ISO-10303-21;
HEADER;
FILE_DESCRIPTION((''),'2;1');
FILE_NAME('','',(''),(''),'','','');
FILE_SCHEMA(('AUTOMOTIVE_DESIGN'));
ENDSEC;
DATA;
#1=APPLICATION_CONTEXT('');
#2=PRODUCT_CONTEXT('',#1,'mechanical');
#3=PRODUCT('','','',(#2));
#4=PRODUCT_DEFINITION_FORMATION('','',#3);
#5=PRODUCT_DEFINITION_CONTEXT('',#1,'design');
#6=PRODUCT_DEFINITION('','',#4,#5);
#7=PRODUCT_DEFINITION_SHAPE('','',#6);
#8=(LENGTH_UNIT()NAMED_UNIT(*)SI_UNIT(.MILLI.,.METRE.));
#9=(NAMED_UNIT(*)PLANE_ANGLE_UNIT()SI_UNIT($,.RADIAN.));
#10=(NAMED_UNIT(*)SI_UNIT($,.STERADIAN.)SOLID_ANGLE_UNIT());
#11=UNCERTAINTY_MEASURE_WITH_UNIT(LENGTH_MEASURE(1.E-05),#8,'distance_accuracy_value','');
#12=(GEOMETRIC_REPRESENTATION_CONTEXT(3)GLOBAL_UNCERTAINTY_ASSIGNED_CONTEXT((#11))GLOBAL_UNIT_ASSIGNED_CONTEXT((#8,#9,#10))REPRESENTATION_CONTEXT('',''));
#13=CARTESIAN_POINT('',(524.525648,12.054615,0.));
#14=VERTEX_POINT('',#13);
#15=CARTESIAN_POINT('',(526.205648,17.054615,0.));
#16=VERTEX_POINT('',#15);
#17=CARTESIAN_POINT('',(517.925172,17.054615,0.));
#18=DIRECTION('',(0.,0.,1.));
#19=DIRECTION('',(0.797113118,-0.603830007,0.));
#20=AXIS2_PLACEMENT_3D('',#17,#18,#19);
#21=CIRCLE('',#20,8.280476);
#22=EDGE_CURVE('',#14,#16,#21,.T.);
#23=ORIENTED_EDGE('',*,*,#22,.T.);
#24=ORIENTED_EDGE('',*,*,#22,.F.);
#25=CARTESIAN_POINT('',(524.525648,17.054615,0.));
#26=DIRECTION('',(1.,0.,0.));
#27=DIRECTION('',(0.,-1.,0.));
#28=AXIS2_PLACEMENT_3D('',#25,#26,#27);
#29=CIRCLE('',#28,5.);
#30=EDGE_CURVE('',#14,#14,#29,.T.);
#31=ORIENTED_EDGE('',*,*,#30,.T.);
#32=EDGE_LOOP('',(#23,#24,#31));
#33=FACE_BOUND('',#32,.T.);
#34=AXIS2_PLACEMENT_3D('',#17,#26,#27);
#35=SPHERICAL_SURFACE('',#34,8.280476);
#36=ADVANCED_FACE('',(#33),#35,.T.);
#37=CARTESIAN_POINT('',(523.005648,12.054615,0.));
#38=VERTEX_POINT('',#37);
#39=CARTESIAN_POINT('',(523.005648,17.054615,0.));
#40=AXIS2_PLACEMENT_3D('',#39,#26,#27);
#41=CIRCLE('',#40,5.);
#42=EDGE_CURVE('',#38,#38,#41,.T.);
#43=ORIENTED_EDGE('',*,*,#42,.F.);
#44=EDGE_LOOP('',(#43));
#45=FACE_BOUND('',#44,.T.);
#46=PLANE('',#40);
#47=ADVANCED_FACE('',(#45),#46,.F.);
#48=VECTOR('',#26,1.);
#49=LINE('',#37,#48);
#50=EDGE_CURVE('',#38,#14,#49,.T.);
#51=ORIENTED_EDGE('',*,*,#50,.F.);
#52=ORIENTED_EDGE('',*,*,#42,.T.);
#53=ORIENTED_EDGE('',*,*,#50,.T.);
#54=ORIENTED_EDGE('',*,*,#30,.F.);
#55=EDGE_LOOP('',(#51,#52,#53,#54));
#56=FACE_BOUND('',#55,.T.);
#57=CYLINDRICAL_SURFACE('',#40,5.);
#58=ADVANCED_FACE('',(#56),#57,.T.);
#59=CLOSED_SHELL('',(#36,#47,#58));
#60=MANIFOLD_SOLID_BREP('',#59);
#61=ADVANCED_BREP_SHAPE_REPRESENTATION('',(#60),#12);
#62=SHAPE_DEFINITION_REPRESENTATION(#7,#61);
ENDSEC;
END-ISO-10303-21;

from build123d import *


with BuildPart() as part:
    # 草图2 → 旋转2 (revolve)
    with BuildSketch(Plane.XY, mode=Mode.PRIVATE) as revolve_2_sk:
        with BuildLine():
            Line((523.005648253, 17.054615163), (523.005648253, 22.054615163))
            Line((523.005648253, 22.054615163), (524.525648253, 22.054615163))
            ThreePointArc((524.525648253, 22.054615163), (525.774419538, 19.691962315), (526.205648253, 17.054615163))
            Line((526.205648253, 17.054615163), (523.005648253, 17.054615163))
        make_face()
    revolve(revolve_2_sk.sketch.rotate(Axis((522.207975998, 17.054615163, 0), (1, 0, 0)), 180), axis=Axis((522.207975998, 17.054615163, 0), (1, 0, 0)))  # turned: the seam where the file's is


solid = part.part
